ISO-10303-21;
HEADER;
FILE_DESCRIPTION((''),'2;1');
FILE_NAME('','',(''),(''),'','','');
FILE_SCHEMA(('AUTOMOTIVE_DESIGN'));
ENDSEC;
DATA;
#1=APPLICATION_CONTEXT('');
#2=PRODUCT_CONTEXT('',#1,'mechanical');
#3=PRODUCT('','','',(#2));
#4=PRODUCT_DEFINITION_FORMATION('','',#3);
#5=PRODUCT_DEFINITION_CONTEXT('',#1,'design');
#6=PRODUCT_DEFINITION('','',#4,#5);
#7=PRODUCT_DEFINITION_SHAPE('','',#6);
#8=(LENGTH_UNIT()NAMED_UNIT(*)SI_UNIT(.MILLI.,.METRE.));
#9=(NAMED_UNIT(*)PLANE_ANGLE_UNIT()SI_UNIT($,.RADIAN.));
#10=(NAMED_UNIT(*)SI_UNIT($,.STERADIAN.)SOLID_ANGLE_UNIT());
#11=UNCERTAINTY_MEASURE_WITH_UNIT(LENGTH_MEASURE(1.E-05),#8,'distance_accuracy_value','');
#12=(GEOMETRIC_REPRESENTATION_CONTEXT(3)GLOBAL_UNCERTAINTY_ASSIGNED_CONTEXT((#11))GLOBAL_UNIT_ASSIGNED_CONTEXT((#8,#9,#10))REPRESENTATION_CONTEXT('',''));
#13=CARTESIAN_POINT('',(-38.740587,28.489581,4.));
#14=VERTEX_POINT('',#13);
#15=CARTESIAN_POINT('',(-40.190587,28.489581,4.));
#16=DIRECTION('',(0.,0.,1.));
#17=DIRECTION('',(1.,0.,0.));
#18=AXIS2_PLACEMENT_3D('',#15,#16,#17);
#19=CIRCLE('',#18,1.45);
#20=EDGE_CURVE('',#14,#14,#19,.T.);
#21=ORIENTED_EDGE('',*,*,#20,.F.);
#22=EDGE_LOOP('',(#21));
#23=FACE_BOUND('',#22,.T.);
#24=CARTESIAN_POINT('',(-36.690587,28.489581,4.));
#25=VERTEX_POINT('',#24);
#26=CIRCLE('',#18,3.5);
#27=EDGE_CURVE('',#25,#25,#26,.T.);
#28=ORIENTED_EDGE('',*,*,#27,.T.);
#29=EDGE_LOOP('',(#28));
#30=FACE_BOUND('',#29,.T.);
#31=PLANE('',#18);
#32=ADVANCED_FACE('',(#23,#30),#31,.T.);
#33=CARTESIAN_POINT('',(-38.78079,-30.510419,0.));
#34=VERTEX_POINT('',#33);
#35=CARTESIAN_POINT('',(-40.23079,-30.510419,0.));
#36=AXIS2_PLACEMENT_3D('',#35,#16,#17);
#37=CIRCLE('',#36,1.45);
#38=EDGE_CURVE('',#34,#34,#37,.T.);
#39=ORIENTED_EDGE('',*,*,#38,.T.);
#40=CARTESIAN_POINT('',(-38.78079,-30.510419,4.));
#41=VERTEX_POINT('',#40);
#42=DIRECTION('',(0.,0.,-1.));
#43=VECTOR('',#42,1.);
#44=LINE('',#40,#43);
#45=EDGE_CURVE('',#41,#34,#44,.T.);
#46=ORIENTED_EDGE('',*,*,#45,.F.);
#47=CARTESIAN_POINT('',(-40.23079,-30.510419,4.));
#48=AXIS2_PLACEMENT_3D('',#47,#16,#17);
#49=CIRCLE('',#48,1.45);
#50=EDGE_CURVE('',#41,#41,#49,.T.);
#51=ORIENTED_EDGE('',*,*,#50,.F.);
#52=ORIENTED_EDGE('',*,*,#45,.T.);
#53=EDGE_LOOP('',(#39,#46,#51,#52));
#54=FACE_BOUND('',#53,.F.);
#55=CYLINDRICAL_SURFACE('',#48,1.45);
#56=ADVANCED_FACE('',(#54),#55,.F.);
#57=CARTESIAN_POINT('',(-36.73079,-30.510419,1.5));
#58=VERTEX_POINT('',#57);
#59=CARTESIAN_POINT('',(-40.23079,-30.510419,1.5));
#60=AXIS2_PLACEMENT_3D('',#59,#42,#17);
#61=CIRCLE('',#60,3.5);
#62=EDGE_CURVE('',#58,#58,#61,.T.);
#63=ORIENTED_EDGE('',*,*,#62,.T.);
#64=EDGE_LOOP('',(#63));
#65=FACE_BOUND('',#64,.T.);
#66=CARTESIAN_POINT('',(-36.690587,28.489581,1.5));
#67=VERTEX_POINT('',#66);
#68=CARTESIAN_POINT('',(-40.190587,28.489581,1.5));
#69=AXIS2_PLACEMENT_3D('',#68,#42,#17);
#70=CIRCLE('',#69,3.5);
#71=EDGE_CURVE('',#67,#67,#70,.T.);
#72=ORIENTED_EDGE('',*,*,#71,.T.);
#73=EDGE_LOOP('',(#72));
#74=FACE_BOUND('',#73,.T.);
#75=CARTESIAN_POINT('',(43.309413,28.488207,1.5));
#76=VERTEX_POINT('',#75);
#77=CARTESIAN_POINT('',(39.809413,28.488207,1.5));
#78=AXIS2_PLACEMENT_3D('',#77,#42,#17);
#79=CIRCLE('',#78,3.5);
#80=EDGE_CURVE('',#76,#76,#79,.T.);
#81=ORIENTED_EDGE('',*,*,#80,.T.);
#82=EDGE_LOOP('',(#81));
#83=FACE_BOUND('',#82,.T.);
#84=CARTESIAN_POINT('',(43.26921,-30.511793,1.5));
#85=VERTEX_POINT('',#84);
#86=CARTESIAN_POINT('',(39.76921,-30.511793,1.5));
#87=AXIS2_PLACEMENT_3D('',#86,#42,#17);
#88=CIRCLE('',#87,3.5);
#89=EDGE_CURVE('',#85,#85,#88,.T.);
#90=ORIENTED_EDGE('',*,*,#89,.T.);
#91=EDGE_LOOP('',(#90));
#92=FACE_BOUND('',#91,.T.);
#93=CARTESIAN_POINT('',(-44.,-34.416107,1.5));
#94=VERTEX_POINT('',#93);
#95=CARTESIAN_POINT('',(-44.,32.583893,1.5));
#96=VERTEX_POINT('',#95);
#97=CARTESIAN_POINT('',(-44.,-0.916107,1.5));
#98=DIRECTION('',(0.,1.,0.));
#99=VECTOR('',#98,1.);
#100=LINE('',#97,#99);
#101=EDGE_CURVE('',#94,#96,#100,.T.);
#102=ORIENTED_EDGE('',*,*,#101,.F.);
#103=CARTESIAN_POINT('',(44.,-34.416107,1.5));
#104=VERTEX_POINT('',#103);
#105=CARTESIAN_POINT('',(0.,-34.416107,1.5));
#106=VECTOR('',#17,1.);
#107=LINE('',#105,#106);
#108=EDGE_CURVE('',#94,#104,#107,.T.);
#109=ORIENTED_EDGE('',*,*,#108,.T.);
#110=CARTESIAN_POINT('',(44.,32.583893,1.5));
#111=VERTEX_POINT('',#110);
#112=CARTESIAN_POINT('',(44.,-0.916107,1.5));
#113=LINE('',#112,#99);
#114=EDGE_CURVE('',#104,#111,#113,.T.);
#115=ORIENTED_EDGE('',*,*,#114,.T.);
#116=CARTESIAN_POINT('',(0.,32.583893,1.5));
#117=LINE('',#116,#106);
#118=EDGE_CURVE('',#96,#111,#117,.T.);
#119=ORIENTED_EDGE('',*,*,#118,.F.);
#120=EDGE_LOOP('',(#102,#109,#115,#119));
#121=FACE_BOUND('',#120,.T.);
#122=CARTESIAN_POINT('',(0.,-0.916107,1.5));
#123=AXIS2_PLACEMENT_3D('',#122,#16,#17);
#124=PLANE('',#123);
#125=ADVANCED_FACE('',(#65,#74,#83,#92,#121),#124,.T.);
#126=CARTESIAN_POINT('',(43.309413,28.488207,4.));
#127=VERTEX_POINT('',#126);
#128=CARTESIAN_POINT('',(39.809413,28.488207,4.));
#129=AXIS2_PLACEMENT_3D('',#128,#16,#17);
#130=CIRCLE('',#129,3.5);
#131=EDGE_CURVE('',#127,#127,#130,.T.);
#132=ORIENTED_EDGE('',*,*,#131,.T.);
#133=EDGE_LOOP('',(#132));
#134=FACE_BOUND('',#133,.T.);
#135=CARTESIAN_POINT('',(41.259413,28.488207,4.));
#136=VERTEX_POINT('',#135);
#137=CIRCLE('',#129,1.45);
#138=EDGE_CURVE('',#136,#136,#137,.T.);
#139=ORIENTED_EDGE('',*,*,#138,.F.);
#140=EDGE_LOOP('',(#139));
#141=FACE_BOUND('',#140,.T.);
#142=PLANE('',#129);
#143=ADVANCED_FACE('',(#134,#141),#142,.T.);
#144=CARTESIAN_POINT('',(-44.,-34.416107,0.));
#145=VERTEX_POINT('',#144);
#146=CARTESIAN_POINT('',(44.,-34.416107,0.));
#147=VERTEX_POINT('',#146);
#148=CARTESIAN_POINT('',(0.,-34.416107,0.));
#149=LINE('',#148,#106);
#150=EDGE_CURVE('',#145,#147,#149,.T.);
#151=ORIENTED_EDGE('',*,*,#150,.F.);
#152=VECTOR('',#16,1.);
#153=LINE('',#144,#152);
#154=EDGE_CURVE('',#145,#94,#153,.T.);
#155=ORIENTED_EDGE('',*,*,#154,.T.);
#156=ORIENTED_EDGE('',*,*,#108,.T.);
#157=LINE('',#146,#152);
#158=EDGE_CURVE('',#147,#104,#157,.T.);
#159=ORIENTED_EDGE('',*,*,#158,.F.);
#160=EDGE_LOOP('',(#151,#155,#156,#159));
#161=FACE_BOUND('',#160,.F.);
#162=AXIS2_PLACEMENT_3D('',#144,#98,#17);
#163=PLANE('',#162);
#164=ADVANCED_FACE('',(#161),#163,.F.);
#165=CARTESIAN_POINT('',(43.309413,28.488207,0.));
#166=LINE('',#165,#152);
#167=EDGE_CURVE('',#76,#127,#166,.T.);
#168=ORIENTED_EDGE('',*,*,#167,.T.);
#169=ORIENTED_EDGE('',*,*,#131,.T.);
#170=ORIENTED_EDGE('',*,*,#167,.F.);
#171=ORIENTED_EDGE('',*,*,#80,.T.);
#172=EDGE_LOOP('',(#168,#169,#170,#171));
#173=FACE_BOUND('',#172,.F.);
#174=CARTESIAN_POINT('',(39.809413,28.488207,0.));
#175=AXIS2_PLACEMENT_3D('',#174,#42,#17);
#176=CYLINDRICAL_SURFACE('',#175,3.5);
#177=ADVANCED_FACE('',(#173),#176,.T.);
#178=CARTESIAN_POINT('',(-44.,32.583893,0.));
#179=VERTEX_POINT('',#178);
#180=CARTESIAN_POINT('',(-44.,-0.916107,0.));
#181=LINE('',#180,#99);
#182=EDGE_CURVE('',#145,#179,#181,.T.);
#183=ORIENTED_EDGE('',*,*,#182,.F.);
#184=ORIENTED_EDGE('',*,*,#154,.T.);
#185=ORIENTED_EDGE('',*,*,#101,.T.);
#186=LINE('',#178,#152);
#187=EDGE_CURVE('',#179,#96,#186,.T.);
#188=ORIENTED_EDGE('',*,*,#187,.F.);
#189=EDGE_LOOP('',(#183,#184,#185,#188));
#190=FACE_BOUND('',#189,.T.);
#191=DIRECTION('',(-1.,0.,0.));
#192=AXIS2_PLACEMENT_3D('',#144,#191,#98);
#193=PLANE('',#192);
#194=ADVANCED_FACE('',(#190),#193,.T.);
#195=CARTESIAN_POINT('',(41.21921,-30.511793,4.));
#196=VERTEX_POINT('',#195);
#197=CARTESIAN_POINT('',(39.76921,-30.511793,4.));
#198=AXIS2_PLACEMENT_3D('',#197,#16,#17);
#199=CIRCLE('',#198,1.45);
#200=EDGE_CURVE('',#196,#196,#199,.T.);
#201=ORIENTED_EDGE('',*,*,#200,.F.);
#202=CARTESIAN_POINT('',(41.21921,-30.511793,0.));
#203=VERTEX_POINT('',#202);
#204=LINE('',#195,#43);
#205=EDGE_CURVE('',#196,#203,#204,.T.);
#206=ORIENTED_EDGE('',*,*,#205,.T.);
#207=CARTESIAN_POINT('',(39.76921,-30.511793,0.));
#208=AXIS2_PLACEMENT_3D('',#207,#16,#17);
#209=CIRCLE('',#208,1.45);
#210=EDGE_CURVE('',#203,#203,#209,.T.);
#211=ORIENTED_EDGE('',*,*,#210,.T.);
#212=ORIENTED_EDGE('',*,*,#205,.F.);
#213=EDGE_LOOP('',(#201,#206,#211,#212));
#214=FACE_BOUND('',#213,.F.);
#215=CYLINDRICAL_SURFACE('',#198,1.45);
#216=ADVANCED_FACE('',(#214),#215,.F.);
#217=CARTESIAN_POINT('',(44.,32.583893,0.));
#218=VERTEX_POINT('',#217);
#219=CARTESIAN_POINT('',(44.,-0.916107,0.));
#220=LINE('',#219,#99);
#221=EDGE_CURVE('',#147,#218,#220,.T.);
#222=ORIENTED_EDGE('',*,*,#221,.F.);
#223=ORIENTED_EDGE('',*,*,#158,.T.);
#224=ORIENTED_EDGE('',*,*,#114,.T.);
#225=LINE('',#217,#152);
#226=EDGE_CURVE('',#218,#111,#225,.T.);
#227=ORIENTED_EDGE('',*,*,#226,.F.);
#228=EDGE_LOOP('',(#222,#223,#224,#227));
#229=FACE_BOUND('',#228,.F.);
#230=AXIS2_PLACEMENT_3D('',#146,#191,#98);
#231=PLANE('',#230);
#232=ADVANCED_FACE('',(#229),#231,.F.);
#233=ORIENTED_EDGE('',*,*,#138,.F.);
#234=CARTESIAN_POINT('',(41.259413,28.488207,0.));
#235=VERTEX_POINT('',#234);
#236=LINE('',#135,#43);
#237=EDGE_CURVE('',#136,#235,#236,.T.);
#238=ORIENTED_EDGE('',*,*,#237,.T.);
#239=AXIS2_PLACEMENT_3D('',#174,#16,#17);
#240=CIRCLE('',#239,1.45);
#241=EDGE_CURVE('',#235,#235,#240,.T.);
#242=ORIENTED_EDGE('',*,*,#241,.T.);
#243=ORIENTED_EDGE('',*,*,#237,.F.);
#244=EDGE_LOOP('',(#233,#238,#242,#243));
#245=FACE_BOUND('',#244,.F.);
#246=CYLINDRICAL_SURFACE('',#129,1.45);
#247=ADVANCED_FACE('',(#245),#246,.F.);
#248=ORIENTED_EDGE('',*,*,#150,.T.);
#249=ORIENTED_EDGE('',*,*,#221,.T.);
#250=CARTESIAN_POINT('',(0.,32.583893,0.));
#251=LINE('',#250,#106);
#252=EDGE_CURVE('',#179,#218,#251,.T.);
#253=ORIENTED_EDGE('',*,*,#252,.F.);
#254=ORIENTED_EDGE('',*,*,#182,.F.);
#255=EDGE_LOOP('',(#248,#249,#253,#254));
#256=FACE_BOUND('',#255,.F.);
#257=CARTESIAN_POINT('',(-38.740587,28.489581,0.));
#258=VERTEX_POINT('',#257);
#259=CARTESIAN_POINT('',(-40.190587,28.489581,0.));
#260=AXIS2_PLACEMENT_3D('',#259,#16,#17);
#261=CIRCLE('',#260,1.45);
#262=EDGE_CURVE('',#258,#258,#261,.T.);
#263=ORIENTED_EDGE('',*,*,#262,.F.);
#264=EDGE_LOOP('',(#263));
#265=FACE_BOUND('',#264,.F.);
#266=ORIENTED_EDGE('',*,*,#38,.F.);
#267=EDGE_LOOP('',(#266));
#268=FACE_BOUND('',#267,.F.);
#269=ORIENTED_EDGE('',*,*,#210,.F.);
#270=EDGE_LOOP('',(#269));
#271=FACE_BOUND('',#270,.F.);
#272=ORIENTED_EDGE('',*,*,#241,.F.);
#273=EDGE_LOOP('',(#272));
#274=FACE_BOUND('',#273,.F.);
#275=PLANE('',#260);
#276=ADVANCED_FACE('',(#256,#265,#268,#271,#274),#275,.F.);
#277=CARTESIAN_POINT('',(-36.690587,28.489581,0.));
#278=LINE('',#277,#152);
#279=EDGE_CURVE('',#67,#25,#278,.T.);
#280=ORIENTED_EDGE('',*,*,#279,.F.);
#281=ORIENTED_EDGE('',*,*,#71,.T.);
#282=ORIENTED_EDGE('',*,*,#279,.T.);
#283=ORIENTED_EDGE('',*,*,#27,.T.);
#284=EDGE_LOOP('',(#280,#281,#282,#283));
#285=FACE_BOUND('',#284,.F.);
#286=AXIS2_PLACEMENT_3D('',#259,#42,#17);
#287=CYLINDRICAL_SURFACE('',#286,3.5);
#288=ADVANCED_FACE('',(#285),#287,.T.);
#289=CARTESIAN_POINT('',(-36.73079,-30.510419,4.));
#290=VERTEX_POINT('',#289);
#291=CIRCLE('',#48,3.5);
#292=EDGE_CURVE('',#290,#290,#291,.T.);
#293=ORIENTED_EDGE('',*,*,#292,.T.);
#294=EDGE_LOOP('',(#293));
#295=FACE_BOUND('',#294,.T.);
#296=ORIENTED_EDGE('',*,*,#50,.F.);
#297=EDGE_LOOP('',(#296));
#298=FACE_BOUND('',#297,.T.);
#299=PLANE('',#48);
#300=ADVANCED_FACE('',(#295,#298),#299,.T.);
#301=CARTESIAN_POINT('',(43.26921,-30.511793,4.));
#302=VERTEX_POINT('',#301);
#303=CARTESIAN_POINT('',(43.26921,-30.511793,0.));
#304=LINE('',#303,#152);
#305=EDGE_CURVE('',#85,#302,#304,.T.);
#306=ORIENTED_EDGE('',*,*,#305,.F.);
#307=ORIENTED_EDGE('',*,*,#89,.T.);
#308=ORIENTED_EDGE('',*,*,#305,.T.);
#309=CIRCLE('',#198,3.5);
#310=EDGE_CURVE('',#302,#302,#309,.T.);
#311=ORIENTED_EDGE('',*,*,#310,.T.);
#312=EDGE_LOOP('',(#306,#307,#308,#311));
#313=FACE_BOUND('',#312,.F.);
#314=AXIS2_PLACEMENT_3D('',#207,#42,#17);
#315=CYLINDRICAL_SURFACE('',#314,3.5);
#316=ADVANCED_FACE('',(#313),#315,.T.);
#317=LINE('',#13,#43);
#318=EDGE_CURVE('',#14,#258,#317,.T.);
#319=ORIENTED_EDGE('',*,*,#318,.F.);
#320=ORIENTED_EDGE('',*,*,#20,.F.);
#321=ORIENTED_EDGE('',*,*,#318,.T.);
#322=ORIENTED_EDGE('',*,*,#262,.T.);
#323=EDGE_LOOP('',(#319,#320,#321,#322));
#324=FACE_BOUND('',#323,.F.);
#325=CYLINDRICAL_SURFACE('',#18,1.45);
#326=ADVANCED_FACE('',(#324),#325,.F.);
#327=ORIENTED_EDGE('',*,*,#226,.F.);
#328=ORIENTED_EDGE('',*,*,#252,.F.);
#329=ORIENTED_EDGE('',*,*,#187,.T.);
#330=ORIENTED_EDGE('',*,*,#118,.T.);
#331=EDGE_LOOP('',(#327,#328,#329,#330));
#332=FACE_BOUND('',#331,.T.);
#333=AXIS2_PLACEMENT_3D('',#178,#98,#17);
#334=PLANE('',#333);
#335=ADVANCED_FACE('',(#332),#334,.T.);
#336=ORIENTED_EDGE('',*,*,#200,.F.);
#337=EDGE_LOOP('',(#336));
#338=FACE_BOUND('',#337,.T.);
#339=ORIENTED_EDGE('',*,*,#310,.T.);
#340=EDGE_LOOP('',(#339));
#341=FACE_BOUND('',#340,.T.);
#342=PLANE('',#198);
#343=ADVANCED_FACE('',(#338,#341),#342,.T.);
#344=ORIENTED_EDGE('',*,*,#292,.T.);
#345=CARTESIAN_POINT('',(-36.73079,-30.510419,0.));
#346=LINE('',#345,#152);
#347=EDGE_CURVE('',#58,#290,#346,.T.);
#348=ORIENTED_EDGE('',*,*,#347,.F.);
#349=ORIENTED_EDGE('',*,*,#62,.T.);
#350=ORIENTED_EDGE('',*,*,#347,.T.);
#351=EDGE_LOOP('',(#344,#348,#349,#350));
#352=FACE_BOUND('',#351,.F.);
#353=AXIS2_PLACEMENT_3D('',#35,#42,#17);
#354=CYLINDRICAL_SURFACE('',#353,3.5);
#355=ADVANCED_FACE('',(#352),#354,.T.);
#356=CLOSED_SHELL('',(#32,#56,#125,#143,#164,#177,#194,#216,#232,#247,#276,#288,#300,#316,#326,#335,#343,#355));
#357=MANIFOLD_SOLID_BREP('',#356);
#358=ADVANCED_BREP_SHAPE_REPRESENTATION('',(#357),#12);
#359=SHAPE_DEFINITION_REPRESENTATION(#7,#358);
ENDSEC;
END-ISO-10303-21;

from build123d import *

# Parameters (mm, degrees)
F0_W     = 88
F0_H     = 67
F1_DEPTH = 1.5
F2_R     = 3.5
F3_DEPTH = 4
F4_R     = 1.45
F5_R     = 1.45
F6_R     = 1.45
F7_R     = 1.45
F8_DEPTH = 5


with BuildPart() as f1:
    # F0 (on Top) → F1 (new body)
    with BuildSketch(Plane.XY):
        with Locations((0, -0.916107)):
            Rectangle(F0_W, F0_H)
    extrude(amount=F1_DEPTH)

    # F2 (on face) → F3 (join)
    with BuildSketch(Plane.XY):
        with Locations((-40.190587, 28.489581)):
            Circle(F2_R)
        with Locations((39.809413, 28.488207)):
            Circle(F2_R)
        with Locations((-40.23079, -30.510419)):
            Circle(F2_R)
        with Locations((39.76921, -30.511793)):
            Circle(F2_R)
    extrude(amount=F3_DEPTH)

    # F4 (on face) + F5 (on face) + F6 (on face) + F7 (on face) → F8 (cut)
    with BuildSketch(Plane.XY.offset(4)):
        with Locations((-40.23079, -30.510419)):
            Circle(F4_R)
    with BuildSketch(Plane.XY.offset(4)):
        with Locations((-40.190587, 28.489581)):
            Circle(F5_R)
    with BuildSketch(Plane.XY.offset(4)):
        with Locations((39.76921, -30.511793)):
            Circle(F6_R)
    with BuildSketch(Plane.XY.offset(4)):
        with Locations((39.809413, 28.488207)):
            Circle(F7_R)
    extrude(amount=-F8_DEPTH, mode=Mode.SUBTRACT)


solid = f1.part
